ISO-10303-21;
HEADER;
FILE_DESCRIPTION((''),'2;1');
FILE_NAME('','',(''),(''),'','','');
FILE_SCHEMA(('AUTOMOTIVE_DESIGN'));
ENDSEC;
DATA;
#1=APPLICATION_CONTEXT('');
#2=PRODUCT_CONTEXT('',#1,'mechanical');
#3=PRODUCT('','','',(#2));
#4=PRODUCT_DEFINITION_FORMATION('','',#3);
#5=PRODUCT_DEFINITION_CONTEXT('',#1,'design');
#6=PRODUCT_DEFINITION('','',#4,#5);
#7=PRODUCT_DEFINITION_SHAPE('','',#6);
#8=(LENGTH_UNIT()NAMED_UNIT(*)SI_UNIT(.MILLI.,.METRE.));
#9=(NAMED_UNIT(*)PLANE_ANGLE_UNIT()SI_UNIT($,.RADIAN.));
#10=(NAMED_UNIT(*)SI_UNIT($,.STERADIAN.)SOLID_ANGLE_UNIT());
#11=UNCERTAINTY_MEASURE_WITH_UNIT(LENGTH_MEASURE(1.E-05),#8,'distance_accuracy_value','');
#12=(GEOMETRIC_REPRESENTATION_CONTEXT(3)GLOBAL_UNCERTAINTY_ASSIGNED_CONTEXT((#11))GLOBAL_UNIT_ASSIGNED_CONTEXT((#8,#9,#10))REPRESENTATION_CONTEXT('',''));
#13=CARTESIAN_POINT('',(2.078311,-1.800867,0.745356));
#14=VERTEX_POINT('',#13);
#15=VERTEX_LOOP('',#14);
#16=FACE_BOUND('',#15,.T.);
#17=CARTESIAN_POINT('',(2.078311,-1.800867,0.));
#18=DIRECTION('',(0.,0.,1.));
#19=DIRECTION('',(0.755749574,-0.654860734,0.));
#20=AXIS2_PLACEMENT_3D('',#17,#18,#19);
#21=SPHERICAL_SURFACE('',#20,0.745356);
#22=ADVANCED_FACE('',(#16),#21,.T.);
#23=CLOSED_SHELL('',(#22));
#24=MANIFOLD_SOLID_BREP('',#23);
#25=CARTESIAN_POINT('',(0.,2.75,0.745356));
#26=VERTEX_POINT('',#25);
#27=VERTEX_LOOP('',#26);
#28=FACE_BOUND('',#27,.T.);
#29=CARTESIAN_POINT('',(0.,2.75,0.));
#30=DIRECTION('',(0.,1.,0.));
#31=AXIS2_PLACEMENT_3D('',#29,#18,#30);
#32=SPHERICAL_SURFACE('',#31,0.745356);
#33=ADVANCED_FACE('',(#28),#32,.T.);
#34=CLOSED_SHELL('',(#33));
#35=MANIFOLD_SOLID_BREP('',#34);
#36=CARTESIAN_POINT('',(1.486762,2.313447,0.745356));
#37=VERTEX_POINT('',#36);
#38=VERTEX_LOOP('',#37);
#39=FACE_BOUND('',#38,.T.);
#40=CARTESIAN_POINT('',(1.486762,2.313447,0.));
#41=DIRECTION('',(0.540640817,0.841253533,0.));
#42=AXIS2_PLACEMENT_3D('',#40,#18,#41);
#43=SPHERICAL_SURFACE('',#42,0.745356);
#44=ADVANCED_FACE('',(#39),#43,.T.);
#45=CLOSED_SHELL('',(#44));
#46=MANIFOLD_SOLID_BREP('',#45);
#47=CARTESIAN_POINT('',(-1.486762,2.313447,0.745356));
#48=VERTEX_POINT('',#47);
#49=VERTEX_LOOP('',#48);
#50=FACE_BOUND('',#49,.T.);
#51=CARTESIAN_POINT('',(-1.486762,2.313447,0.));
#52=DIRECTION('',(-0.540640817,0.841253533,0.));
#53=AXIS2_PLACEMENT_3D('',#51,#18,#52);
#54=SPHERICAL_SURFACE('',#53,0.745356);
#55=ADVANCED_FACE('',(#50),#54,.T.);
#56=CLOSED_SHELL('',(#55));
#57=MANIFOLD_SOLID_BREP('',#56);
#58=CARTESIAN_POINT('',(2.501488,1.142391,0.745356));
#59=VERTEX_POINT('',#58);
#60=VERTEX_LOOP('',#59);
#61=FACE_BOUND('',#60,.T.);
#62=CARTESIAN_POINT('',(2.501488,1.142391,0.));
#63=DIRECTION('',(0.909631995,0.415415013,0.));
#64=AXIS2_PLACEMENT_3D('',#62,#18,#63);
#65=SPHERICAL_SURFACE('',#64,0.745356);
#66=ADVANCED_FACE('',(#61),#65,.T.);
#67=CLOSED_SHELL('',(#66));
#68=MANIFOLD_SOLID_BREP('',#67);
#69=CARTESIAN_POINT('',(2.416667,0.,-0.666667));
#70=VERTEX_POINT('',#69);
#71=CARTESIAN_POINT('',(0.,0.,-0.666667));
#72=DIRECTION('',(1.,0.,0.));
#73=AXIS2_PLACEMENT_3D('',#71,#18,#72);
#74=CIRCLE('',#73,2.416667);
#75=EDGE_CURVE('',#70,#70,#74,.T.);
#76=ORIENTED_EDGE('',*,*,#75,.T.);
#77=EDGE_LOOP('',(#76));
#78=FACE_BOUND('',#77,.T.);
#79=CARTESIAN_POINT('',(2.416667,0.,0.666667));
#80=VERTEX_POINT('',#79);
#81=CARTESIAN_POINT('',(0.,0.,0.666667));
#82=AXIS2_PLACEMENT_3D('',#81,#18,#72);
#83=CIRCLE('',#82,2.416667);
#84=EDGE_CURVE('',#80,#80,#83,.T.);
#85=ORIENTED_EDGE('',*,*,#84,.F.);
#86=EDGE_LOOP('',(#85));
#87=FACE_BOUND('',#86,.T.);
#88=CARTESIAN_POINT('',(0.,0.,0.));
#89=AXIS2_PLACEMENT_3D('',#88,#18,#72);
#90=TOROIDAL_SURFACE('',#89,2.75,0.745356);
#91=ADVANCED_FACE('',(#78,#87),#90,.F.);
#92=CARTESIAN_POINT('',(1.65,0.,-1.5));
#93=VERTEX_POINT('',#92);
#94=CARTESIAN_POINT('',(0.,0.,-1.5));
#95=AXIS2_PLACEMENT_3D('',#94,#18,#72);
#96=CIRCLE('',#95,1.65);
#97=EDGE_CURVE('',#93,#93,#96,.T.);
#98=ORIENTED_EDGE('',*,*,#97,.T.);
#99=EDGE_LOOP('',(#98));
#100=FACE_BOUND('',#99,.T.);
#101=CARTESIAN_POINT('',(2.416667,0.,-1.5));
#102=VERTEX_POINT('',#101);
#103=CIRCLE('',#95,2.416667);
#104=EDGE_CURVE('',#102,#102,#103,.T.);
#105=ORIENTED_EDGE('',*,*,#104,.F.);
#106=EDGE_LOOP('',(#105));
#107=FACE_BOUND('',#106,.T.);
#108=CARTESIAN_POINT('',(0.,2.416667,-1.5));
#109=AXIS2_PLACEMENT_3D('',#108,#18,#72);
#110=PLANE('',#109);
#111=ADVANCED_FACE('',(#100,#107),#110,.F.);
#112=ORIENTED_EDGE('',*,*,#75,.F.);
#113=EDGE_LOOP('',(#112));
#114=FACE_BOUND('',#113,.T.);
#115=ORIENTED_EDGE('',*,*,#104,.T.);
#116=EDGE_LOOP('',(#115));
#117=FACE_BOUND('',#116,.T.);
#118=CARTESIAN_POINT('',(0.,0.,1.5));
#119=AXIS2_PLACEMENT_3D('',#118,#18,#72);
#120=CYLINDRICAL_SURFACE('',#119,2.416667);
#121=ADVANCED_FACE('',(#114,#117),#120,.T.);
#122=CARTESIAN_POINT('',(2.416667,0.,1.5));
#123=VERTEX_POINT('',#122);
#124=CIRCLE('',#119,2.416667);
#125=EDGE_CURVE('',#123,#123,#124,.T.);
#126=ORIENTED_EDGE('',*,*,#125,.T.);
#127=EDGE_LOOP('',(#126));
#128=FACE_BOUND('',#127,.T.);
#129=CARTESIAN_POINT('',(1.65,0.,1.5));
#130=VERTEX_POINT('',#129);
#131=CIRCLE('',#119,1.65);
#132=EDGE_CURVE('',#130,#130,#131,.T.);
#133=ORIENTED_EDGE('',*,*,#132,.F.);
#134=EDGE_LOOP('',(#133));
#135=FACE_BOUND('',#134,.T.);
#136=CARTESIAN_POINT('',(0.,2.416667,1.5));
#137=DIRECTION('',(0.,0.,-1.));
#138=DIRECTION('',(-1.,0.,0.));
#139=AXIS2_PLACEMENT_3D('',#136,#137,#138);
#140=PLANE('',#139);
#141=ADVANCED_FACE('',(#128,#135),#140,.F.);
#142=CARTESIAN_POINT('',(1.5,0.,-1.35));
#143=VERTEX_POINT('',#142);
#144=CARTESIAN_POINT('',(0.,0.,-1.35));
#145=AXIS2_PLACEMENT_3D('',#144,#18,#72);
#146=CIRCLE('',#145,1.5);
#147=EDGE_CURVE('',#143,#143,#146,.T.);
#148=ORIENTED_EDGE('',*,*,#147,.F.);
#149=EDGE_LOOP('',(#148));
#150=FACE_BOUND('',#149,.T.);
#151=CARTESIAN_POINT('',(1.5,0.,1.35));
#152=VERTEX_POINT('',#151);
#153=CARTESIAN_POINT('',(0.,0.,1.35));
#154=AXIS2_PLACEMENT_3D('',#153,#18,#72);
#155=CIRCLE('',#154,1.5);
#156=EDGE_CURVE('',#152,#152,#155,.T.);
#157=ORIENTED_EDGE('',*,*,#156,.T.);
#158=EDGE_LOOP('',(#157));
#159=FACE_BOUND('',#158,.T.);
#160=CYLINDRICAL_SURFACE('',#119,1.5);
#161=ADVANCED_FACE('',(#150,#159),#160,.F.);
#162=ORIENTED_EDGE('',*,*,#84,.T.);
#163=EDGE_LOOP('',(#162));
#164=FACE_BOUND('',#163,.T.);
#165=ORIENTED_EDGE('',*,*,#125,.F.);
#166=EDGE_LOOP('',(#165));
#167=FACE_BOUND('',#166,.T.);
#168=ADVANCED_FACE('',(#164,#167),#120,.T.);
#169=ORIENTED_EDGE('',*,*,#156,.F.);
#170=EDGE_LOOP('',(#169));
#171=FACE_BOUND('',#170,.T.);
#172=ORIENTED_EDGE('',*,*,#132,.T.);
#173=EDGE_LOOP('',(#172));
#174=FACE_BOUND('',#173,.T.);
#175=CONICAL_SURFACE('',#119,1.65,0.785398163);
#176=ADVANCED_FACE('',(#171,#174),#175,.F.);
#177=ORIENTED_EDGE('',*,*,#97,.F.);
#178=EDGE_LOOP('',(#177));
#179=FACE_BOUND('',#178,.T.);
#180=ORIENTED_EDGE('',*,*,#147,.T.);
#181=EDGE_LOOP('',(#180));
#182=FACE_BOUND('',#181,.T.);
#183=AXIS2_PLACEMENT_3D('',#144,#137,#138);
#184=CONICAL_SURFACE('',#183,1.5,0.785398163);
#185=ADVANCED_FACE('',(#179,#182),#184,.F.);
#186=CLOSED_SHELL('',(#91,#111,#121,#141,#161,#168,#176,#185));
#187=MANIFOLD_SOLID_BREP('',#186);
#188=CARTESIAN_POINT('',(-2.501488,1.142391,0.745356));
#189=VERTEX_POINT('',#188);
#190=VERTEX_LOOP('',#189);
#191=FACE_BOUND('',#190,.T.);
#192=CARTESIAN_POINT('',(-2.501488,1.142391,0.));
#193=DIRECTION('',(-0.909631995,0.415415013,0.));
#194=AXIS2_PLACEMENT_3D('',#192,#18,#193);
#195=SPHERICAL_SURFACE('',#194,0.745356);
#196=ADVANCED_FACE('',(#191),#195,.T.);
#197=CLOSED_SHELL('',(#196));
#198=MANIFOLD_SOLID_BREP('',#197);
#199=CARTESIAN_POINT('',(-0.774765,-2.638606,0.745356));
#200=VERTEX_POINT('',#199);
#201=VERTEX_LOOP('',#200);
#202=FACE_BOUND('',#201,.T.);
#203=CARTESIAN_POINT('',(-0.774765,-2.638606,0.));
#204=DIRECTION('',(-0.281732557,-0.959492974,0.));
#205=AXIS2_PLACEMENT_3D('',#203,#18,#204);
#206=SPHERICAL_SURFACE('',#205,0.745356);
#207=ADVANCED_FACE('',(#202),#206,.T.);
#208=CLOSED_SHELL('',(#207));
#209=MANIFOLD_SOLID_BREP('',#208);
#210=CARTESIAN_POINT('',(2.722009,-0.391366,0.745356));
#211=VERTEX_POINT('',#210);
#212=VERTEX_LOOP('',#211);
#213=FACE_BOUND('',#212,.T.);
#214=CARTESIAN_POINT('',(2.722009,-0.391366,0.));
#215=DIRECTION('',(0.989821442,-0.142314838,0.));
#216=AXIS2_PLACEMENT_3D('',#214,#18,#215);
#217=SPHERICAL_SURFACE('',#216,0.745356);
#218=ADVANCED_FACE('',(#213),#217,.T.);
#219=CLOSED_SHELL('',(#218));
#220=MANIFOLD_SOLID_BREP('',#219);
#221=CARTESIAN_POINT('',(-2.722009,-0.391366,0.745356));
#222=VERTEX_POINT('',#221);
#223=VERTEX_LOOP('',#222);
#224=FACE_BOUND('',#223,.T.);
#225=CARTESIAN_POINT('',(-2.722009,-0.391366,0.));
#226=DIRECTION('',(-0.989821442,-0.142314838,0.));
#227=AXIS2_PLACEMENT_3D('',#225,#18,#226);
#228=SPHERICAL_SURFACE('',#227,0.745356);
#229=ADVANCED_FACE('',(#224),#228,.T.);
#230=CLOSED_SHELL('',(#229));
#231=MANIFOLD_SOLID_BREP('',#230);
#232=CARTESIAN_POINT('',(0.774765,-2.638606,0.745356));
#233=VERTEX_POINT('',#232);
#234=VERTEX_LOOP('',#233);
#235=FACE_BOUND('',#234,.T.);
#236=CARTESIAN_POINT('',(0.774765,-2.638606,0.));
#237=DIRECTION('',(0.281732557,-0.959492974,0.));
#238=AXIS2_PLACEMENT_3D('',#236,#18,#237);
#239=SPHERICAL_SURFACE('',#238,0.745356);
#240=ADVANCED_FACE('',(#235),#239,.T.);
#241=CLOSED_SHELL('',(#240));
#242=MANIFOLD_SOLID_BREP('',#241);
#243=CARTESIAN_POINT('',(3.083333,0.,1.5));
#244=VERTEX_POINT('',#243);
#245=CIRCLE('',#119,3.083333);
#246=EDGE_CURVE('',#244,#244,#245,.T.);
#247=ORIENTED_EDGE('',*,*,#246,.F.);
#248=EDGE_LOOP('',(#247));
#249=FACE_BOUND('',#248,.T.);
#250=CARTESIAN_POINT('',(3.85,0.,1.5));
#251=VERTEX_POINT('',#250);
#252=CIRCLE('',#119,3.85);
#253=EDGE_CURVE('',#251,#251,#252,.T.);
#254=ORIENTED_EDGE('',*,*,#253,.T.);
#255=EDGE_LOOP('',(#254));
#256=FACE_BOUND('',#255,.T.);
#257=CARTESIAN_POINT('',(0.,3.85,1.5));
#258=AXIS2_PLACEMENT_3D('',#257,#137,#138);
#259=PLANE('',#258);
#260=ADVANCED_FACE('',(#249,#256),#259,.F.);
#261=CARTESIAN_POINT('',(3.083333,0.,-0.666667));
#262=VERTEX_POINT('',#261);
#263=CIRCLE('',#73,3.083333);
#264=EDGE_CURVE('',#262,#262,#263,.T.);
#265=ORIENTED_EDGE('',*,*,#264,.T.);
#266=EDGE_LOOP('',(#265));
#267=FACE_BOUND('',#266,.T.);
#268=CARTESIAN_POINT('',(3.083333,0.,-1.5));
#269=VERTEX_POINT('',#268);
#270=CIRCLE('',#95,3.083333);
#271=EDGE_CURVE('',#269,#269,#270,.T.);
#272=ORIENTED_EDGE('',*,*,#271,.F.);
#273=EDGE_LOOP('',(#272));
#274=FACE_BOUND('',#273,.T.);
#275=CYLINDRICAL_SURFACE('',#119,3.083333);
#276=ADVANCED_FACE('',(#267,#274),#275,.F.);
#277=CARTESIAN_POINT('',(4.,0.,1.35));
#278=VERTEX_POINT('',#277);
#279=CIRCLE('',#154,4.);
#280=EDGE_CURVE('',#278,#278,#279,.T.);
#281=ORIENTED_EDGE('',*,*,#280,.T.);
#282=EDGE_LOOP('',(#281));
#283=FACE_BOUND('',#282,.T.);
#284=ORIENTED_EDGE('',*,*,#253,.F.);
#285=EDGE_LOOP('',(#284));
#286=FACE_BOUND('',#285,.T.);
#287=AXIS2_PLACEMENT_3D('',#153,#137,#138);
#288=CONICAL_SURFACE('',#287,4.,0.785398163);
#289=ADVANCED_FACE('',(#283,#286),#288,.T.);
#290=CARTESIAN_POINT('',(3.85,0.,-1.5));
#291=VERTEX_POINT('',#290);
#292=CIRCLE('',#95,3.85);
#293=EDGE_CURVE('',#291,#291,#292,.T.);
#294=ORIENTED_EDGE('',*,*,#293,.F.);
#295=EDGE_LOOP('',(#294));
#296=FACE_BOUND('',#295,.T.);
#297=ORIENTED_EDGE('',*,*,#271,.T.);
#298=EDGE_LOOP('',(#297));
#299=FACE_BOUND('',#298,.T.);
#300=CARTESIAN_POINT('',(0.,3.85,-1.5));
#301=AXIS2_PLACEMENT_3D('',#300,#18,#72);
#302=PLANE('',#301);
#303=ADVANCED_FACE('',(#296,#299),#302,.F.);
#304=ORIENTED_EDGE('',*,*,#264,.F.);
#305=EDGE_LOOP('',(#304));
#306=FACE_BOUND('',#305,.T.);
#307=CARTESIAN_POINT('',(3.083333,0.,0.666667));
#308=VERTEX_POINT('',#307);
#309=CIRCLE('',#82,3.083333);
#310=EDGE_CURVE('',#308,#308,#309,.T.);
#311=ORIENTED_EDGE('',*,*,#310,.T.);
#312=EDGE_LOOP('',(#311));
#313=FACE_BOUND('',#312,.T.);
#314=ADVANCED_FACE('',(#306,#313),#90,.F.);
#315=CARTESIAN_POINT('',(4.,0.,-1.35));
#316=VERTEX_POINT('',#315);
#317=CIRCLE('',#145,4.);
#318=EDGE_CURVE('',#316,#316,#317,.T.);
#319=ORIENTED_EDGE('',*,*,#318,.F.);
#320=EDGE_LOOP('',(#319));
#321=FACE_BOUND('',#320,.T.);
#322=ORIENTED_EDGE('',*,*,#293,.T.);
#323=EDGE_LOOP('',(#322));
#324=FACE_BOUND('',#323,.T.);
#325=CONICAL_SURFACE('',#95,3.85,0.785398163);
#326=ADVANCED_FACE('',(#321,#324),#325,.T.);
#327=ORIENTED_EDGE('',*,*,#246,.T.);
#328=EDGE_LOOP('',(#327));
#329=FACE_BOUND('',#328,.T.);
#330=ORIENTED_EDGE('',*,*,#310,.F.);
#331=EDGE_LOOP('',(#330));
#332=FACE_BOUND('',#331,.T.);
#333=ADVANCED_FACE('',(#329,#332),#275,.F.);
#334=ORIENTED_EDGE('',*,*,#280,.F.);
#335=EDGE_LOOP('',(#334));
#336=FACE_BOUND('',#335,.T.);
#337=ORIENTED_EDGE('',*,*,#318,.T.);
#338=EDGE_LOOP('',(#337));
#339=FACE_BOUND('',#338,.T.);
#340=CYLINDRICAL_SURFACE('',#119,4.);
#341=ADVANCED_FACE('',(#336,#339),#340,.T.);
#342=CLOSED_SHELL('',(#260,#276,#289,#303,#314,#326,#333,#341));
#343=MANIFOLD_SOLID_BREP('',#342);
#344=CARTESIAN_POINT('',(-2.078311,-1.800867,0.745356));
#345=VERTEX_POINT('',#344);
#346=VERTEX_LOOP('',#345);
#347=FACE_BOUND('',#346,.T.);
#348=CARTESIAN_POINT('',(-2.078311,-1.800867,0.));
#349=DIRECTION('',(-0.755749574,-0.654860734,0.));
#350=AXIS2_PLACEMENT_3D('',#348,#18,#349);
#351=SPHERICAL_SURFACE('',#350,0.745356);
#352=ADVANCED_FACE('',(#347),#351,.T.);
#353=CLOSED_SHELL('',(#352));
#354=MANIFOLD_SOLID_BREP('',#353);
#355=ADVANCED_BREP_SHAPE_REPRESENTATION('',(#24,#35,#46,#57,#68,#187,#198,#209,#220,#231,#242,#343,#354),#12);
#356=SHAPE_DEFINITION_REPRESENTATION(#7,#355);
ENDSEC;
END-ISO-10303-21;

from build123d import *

# Parameters (mm, degrees)
CIRPATTERN1_COUNT = 11


with BuildPart() as part:
    # Sketch2 → Revolve1 (revolve)
    with BuildSketch(Plane(origin=(0, 0, 0), x_dir=(0, 0, -1), z_dir=(1, 0, 0))):
        with BuildLine():
            Line((-1.5, 2.416666667), (-0.666666667, 2.416666667))
            ThreePointArc((-0.666666667, 2.416666667), (0, 2.004644008), (0.666666667, 2.416666667))
            Line((0.666666667, 2.416666667), (1.5, 2.416666667))
            Line((1.5, 2.416666667), (1.5, 1.65))
            Line((1.5, 1.65), (1.35, 1.5))
            Line((1.35, 1.5), (-1.35, 1.5))
            Line((-1.35, 1.5), (-1.5, 1.65))
            Line((-1.5, 1.65), (-1.5, 2.416666667))
        make_face()
        with BuildLine():
            Line((1.35, 4), (1.5, 3.85))
            Line((1.5, 3.85), (1.5, 3.083333333))
            Line((1.5, 3.083333333), (0.666666667, 3.083333333))
            ThreePointArc((0.666666667, 3.083333333), (0, 3.495355992), (-0.666666667, 3.083333333))
            Line((-0.666666667, 3.083333333), (-1.5, 3.083333333))
            Line((-1.5, 3.083333333), (-1.5, 3.85))
            Line((-1.5, 3.85), (-1.35, 4))
            Line((-1.35, 4), (1.35, 4))
        make_face()
    revolve(axis=Axis((0, 0, 1.5), (0, 0, -1)))


with BuildPart() as body_2:
    # Sketch3 → Revolve2 (revolve)
    with BuildSketch(Plane(origin=(0, 0, 0), x_dir=(0, 0, -1), z_dir=(1, 0, 0))):
        with BuildLine():
            Line((-0.745355992, 2.75), (0.745355992, 2.75))
            ThreePointArc((0.745355992, 2.75), (0, 3.495355992), (-0.745355992, 2.75))
        make_face()
    revolve(axis=Axis((0, 2.75, 0.745355992), (0, 0, -1)))


with BuildPart() as cirpattern1_1:
    # CirPattern1: pattern copy
    add(body_2.part.rotate(Axis((0, 0, -1.5), (0, 0, 1)), 1 * 360 / CIRPATTERN1_COUNT))


with BuildPart() as cirpattern1_2:
    # CirPattern1: pattern copy
    add(body_2.part.rotate(Axis((0, 0, -1.5), (0, 0, 1)), 2 * 360 / CIRPATTERN1_COUNT))


with BuildPart() as cirpattern1_3:
    # CirPattern1: pattern copy
    add(body_2.part.rotate(Axis((0, 0, -1.5), (0, 0, 1)), 3 * 360 / CIRPATTERN1_COUNT))


with BuildPart() as cirpattern1_4:
    # CirPattern1: pattern copy
    add(body_2.part.rotate(Axis((0, 0, -1.5), (0, 0, 1)), 4 * 360 / CIRPATTERN1_COUNT))


with BuildPart() as cirpattern1_5:
    # CirPattern1: pattern copy
    add(body_2.part.rotate(Axis((0, 0, -1.5), (0, 0, 1)), 5 * 360 / CIRPATTERN1_COUNT))


with BuildPart() as cirpattern1_6:
    # CirPattern1: pattern copy
    add(body_2.part.rotate(Axis((0, 0, -1.5), (0, 0, 1)), 6 * 360 / CIRPATTERN1_COUNT))


with BuildPart() as cirpattern1_7:
    # CirPattern1: pattern copy
    add(body_2.part.rotate(Axis((0, 0, -1.5), (0, 0, 1)), 7 * 360 / CIRPATTERN1_COUNT))


with BuildPart() as cirpattern1_8:
    # CirPattern1: pattern copy
    add(body_2.part.rotate(Axis((0, 0, -1.5), (0, 0, 1)), 8 * 360 / CIRPATTERN1_COUNT))


with BuildPart() as cirpattern1_9:
    # CirPattern1: pattern copy
    add(body_2.part.rotate(Axis((0, 0, -1.5), (0, 0, 1)), 9 * 360 / CIRPATTERN1_COUNT))


with BuildPart() as cirpattern1_10:
    # CirPattern1: pattern copy
    add(body_2.part.rotate(Axis((0, 0, -1.5), (0, 0, 1)), 10 * 360 / CIRPATTERN1_COUNT))


solid = Compound([part.part, body_2.part, cirpattern1_1.part, cirpattern1_2.part, cirpattern1_3.part, cirpattern1_4.part, cirpattern1_5.part, cirpattern1_6.part, cirpattern1_7.part, cirpattern1_8.part, cirpattern1_9.part, cirpattern1_10.part])
